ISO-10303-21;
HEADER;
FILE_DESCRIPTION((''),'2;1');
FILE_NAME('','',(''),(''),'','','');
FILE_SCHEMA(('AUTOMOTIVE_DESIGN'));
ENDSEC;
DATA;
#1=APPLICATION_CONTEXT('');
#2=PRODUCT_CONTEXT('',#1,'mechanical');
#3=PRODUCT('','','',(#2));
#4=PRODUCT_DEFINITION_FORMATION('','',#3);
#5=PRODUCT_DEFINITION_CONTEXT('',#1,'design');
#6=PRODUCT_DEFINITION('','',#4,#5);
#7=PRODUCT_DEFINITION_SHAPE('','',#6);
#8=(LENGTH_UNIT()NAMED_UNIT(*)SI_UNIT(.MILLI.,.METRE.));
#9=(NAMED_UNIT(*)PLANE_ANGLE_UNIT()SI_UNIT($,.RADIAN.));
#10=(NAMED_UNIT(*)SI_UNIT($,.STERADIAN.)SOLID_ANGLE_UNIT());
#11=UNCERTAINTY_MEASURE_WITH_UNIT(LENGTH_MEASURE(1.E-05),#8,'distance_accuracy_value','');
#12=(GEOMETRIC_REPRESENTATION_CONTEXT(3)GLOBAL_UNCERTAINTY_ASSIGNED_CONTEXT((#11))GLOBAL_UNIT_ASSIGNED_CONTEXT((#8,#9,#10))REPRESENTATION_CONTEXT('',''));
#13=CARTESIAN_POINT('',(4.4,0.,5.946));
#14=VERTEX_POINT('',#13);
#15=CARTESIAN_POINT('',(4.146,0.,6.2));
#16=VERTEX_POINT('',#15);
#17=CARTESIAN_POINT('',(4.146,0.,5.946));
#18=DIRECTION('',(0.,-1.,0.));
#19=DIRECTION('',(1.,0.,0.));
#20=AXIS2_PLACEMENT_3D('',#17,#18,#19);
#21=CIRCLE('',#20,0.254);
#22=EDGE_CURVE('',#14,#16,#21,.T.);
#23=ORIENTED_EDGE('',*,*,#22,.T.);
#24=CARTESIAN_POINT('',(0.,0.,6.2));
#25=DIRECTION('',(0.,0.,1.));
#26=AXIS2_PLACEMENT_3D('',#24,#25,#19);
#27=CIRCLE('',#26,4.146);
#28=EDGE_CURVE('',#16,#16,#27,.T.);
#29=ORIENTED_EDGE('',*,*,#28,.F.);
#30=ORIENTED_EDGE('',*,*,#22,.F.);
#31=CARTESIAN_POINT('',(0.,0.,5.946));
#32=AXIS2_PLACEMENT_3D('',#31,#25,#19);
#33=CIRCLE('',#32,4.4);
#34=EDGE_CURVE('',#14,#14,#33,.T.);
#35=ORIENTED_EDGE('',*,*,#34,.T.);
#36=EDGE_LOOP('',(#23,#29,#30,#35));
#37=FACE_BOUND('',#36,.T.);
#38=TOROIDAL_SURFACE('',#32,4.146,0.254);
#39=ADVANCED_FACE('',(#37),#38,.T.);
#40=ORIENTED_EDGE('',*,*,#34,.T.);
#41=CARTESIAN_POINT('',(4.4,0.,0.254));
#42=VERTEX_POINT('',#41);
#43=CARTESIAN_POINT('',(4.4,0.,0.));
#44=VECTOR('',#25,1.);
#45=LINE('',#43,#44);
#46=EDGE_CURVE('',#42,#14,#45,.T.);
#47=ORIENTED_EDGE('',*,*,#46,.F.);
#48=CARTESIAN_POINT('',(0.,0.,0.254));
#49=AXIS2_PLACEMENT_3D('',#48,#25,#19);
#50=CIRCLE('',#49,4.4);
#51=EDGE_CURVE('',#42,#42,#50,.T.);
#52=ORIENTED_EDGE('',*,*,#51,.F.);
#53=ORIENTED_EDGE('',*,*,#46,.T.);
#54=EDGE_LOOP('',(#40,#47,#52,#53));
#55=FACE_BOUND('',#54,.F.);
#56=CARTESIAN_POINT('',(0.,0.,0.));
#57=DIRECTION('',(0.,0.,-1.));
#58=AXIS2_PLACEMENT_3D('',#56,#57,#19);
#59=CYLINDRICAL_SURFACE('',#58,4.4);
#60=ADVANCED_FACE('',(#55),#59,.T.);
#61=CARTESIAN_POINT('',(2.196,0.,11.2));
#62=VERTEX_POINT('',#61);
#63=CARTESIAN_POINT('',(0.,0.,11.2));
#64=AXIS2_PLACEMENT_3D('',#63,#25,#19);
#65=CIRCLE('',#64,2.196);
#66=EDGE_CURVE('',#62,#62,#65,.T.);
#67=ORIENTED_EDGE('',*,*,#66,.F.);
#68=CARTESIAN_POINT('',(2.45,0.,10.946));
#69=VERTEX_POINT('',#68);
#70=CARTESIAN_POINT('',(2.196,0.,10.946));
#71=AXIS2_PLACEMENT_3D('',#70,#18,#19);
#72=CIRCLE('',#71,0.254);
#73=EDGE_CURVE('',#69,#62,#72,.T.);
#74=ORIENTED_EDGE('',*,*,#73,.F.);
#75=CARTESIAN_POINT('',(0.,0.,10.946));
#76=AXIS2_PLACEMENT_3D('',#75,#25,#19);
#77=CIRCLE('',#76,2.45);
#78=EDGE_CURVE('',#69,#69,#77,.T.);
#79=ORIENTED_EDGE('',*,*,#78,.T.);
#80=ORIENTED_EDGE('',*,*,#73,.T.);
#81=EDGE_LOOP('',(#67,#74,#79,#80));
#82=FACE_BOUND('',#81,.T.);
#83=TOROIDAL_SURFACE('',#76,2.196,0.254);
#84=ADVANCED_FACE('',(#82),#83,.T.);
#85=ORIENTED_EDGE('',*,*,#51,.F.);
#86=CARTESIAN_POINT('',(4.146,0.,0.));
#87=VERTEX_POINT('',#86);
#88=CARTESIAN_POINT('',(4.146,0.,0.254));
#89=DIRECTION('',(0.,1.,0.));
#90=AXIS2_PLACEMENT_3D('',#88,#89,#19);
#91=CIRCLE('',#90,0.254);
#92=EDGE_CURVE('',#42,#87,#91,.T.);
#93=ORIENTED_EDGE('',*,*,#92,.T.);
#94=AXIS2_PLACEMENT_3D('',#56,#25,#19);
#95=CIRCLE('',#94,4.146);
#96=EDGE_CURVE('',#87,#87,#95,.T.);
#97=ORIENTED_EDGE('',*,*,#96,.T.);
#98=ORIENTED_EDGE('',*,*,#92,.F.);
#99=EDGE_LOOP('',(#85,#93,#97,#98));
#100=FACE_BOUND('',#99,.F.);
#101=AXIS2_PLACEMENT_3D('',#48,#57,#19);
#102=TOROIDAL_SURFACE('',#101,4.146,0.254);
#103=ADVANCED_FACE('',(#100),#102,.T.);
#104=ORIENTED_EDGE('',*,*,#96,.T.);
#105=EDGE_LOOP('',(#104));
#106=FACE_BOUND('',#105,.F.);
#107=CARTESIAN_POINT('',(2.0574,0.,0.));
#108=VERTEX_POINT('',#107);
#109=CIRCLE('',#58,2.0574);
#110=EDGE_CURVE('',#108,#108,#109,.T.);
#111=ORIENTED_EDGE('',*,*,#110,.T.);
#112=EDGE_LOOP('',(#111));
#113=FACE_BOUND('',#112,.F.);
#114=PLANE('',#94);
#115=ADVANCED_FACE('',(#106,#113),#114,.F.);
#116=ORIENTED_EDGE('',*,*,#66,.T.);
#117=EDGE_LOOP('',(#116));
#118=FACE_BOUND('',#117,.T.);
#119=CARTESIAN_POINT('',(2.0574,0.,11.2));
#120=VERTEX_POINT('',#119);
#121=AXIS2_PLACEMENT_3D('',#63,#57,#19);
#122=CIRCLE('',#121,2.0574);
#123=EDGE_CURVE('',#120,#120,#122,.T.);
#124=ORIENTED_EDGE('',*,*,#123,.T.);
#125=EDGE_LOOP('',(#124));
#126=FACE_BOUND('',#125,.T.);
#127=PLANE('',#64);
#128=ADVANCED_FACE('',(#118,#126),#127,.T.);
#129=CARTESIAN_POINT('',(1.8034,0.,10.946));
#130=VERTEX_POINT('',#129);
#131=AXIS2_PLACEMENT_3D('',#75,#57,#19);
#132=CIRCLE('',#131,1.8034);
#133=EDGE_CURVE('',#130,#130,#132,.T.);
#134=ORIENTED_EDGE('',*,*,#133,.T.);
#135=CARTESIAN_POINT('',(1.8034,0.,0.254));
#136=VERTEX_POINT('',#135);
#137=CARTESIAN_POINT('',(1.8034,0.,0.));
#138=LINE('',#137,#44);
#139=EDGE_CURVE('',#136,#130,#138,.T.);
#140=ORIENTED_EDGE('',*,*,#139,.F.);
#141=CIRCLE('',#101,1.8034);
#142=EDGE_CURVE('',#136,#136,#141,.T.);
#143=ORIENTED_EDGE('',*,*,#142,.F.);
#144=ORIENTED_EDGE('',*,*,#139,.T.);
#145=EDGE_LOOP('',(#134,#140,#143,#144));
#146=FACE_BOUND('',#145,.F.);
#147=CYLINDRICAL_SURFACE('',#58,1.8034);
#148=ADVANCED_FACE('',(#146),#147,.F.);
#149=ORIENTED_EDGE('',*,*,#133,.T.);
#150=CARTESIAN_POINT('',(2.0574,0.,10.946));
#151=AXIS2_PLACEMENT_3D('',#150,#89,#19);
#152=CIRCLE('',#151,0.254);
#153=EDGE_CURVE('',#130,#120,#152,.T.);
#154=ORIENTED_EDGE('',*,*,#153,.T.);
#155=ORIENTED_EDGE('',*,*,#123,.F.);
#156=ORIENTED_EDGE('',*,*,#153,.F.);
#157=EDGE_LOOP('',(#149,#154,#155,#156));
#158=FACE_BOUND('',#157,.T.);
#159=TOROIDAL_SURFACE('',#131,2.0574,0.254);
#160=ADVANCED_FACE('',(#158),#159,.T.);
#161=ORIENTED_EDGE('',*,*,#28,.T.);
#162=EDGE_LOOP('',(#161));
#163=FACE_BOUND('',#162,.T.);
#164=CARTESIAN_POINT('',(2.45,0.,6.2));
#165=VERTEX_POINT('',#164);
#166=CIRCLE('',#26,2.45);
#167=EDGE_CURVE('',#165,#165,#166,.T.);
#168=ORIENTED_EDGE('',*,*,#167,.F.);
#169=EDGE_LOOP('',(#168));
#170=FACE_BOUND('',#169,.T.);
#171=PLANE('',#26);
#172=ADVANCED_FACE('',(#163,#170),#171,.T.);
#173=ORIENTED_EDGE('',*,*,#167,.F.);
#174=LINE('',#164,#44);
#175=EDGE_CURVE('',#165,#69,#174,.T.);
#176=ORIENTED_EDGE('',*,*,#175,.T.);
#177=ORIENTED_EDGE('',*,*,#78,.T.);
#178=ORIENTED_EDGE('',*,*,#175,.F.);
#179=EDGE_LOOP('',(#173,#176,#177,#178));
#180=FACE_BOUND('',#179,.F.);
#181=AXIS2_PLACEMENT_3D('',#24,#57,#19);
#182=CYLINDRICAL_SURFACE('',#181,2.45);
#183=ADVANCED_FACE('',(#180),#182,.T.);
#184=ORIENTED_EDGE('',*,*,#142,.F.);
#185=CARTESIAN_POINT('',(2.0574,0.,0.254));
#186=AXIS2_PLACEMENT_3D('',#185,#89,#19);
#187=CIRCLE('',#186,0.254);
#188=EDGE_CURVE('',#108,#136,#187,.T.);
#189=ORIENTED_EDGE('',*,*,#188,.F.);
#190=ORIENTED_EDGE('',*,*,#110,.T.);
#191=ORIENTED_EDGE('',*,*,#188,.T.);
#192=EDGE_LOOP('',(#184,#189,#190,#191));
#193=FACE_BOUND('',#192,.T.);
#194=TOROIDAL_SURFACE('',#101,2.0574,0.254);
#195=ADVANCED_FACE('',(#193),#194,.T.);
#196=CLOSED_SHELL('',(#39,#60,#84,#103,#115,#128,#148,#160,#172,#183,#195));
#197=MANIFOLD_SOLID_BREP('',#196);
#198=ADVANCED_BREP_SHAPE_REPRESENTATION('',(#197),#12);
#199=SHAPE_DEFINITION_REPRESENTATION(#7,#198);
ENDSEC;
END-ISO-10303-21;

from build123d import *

# Parameters (mm, degrees)
F0_R     = 4.4
F1_DEPTH = 6.2
F2_R     = 2.45
F3_DEPTH = 5
F4_R     = 1.8034
F5_DEPTH = 11.201
F6_R     = 0.254


with BuildPart() as f1:
    # F0 (on Top) → F1 (new body)
    with BuildSketch(Plane.XY):
        Circle(F0_R)
    extrude(amount=F1_DEPTH)

    # F2 (on face) → F3 (join)
    with BuildSketch(Plane.XY.offset(6.2)):
        Circle(F2_R)
    extrude(amount=F3_DEPTH)

    # F4 (on face) → F5 (cut, through all)
    with BuildSketch(Plane(origin=(0, 0, 0), x_dir=(1, 0, 0), z_dir=(0, 0, -1))):
        Circle(F4_R)
    extrude(amount=-F5_DEPTH, mode=Mode.SUBTRACT)

    # F6
    f6_edges = [f1.edges().sort_by_distance(p)[0] for p in [
        (-2.45, 0, 11.2),
        (-1.8034, 0, 11.2),
        (-4.4, 0, 0),
        (-1.8034, 0, 0),
        (-4.4, 0, 6.2),
    ]]
    fillet(f6_edges, radius=F6_R)


solid = f1.part
